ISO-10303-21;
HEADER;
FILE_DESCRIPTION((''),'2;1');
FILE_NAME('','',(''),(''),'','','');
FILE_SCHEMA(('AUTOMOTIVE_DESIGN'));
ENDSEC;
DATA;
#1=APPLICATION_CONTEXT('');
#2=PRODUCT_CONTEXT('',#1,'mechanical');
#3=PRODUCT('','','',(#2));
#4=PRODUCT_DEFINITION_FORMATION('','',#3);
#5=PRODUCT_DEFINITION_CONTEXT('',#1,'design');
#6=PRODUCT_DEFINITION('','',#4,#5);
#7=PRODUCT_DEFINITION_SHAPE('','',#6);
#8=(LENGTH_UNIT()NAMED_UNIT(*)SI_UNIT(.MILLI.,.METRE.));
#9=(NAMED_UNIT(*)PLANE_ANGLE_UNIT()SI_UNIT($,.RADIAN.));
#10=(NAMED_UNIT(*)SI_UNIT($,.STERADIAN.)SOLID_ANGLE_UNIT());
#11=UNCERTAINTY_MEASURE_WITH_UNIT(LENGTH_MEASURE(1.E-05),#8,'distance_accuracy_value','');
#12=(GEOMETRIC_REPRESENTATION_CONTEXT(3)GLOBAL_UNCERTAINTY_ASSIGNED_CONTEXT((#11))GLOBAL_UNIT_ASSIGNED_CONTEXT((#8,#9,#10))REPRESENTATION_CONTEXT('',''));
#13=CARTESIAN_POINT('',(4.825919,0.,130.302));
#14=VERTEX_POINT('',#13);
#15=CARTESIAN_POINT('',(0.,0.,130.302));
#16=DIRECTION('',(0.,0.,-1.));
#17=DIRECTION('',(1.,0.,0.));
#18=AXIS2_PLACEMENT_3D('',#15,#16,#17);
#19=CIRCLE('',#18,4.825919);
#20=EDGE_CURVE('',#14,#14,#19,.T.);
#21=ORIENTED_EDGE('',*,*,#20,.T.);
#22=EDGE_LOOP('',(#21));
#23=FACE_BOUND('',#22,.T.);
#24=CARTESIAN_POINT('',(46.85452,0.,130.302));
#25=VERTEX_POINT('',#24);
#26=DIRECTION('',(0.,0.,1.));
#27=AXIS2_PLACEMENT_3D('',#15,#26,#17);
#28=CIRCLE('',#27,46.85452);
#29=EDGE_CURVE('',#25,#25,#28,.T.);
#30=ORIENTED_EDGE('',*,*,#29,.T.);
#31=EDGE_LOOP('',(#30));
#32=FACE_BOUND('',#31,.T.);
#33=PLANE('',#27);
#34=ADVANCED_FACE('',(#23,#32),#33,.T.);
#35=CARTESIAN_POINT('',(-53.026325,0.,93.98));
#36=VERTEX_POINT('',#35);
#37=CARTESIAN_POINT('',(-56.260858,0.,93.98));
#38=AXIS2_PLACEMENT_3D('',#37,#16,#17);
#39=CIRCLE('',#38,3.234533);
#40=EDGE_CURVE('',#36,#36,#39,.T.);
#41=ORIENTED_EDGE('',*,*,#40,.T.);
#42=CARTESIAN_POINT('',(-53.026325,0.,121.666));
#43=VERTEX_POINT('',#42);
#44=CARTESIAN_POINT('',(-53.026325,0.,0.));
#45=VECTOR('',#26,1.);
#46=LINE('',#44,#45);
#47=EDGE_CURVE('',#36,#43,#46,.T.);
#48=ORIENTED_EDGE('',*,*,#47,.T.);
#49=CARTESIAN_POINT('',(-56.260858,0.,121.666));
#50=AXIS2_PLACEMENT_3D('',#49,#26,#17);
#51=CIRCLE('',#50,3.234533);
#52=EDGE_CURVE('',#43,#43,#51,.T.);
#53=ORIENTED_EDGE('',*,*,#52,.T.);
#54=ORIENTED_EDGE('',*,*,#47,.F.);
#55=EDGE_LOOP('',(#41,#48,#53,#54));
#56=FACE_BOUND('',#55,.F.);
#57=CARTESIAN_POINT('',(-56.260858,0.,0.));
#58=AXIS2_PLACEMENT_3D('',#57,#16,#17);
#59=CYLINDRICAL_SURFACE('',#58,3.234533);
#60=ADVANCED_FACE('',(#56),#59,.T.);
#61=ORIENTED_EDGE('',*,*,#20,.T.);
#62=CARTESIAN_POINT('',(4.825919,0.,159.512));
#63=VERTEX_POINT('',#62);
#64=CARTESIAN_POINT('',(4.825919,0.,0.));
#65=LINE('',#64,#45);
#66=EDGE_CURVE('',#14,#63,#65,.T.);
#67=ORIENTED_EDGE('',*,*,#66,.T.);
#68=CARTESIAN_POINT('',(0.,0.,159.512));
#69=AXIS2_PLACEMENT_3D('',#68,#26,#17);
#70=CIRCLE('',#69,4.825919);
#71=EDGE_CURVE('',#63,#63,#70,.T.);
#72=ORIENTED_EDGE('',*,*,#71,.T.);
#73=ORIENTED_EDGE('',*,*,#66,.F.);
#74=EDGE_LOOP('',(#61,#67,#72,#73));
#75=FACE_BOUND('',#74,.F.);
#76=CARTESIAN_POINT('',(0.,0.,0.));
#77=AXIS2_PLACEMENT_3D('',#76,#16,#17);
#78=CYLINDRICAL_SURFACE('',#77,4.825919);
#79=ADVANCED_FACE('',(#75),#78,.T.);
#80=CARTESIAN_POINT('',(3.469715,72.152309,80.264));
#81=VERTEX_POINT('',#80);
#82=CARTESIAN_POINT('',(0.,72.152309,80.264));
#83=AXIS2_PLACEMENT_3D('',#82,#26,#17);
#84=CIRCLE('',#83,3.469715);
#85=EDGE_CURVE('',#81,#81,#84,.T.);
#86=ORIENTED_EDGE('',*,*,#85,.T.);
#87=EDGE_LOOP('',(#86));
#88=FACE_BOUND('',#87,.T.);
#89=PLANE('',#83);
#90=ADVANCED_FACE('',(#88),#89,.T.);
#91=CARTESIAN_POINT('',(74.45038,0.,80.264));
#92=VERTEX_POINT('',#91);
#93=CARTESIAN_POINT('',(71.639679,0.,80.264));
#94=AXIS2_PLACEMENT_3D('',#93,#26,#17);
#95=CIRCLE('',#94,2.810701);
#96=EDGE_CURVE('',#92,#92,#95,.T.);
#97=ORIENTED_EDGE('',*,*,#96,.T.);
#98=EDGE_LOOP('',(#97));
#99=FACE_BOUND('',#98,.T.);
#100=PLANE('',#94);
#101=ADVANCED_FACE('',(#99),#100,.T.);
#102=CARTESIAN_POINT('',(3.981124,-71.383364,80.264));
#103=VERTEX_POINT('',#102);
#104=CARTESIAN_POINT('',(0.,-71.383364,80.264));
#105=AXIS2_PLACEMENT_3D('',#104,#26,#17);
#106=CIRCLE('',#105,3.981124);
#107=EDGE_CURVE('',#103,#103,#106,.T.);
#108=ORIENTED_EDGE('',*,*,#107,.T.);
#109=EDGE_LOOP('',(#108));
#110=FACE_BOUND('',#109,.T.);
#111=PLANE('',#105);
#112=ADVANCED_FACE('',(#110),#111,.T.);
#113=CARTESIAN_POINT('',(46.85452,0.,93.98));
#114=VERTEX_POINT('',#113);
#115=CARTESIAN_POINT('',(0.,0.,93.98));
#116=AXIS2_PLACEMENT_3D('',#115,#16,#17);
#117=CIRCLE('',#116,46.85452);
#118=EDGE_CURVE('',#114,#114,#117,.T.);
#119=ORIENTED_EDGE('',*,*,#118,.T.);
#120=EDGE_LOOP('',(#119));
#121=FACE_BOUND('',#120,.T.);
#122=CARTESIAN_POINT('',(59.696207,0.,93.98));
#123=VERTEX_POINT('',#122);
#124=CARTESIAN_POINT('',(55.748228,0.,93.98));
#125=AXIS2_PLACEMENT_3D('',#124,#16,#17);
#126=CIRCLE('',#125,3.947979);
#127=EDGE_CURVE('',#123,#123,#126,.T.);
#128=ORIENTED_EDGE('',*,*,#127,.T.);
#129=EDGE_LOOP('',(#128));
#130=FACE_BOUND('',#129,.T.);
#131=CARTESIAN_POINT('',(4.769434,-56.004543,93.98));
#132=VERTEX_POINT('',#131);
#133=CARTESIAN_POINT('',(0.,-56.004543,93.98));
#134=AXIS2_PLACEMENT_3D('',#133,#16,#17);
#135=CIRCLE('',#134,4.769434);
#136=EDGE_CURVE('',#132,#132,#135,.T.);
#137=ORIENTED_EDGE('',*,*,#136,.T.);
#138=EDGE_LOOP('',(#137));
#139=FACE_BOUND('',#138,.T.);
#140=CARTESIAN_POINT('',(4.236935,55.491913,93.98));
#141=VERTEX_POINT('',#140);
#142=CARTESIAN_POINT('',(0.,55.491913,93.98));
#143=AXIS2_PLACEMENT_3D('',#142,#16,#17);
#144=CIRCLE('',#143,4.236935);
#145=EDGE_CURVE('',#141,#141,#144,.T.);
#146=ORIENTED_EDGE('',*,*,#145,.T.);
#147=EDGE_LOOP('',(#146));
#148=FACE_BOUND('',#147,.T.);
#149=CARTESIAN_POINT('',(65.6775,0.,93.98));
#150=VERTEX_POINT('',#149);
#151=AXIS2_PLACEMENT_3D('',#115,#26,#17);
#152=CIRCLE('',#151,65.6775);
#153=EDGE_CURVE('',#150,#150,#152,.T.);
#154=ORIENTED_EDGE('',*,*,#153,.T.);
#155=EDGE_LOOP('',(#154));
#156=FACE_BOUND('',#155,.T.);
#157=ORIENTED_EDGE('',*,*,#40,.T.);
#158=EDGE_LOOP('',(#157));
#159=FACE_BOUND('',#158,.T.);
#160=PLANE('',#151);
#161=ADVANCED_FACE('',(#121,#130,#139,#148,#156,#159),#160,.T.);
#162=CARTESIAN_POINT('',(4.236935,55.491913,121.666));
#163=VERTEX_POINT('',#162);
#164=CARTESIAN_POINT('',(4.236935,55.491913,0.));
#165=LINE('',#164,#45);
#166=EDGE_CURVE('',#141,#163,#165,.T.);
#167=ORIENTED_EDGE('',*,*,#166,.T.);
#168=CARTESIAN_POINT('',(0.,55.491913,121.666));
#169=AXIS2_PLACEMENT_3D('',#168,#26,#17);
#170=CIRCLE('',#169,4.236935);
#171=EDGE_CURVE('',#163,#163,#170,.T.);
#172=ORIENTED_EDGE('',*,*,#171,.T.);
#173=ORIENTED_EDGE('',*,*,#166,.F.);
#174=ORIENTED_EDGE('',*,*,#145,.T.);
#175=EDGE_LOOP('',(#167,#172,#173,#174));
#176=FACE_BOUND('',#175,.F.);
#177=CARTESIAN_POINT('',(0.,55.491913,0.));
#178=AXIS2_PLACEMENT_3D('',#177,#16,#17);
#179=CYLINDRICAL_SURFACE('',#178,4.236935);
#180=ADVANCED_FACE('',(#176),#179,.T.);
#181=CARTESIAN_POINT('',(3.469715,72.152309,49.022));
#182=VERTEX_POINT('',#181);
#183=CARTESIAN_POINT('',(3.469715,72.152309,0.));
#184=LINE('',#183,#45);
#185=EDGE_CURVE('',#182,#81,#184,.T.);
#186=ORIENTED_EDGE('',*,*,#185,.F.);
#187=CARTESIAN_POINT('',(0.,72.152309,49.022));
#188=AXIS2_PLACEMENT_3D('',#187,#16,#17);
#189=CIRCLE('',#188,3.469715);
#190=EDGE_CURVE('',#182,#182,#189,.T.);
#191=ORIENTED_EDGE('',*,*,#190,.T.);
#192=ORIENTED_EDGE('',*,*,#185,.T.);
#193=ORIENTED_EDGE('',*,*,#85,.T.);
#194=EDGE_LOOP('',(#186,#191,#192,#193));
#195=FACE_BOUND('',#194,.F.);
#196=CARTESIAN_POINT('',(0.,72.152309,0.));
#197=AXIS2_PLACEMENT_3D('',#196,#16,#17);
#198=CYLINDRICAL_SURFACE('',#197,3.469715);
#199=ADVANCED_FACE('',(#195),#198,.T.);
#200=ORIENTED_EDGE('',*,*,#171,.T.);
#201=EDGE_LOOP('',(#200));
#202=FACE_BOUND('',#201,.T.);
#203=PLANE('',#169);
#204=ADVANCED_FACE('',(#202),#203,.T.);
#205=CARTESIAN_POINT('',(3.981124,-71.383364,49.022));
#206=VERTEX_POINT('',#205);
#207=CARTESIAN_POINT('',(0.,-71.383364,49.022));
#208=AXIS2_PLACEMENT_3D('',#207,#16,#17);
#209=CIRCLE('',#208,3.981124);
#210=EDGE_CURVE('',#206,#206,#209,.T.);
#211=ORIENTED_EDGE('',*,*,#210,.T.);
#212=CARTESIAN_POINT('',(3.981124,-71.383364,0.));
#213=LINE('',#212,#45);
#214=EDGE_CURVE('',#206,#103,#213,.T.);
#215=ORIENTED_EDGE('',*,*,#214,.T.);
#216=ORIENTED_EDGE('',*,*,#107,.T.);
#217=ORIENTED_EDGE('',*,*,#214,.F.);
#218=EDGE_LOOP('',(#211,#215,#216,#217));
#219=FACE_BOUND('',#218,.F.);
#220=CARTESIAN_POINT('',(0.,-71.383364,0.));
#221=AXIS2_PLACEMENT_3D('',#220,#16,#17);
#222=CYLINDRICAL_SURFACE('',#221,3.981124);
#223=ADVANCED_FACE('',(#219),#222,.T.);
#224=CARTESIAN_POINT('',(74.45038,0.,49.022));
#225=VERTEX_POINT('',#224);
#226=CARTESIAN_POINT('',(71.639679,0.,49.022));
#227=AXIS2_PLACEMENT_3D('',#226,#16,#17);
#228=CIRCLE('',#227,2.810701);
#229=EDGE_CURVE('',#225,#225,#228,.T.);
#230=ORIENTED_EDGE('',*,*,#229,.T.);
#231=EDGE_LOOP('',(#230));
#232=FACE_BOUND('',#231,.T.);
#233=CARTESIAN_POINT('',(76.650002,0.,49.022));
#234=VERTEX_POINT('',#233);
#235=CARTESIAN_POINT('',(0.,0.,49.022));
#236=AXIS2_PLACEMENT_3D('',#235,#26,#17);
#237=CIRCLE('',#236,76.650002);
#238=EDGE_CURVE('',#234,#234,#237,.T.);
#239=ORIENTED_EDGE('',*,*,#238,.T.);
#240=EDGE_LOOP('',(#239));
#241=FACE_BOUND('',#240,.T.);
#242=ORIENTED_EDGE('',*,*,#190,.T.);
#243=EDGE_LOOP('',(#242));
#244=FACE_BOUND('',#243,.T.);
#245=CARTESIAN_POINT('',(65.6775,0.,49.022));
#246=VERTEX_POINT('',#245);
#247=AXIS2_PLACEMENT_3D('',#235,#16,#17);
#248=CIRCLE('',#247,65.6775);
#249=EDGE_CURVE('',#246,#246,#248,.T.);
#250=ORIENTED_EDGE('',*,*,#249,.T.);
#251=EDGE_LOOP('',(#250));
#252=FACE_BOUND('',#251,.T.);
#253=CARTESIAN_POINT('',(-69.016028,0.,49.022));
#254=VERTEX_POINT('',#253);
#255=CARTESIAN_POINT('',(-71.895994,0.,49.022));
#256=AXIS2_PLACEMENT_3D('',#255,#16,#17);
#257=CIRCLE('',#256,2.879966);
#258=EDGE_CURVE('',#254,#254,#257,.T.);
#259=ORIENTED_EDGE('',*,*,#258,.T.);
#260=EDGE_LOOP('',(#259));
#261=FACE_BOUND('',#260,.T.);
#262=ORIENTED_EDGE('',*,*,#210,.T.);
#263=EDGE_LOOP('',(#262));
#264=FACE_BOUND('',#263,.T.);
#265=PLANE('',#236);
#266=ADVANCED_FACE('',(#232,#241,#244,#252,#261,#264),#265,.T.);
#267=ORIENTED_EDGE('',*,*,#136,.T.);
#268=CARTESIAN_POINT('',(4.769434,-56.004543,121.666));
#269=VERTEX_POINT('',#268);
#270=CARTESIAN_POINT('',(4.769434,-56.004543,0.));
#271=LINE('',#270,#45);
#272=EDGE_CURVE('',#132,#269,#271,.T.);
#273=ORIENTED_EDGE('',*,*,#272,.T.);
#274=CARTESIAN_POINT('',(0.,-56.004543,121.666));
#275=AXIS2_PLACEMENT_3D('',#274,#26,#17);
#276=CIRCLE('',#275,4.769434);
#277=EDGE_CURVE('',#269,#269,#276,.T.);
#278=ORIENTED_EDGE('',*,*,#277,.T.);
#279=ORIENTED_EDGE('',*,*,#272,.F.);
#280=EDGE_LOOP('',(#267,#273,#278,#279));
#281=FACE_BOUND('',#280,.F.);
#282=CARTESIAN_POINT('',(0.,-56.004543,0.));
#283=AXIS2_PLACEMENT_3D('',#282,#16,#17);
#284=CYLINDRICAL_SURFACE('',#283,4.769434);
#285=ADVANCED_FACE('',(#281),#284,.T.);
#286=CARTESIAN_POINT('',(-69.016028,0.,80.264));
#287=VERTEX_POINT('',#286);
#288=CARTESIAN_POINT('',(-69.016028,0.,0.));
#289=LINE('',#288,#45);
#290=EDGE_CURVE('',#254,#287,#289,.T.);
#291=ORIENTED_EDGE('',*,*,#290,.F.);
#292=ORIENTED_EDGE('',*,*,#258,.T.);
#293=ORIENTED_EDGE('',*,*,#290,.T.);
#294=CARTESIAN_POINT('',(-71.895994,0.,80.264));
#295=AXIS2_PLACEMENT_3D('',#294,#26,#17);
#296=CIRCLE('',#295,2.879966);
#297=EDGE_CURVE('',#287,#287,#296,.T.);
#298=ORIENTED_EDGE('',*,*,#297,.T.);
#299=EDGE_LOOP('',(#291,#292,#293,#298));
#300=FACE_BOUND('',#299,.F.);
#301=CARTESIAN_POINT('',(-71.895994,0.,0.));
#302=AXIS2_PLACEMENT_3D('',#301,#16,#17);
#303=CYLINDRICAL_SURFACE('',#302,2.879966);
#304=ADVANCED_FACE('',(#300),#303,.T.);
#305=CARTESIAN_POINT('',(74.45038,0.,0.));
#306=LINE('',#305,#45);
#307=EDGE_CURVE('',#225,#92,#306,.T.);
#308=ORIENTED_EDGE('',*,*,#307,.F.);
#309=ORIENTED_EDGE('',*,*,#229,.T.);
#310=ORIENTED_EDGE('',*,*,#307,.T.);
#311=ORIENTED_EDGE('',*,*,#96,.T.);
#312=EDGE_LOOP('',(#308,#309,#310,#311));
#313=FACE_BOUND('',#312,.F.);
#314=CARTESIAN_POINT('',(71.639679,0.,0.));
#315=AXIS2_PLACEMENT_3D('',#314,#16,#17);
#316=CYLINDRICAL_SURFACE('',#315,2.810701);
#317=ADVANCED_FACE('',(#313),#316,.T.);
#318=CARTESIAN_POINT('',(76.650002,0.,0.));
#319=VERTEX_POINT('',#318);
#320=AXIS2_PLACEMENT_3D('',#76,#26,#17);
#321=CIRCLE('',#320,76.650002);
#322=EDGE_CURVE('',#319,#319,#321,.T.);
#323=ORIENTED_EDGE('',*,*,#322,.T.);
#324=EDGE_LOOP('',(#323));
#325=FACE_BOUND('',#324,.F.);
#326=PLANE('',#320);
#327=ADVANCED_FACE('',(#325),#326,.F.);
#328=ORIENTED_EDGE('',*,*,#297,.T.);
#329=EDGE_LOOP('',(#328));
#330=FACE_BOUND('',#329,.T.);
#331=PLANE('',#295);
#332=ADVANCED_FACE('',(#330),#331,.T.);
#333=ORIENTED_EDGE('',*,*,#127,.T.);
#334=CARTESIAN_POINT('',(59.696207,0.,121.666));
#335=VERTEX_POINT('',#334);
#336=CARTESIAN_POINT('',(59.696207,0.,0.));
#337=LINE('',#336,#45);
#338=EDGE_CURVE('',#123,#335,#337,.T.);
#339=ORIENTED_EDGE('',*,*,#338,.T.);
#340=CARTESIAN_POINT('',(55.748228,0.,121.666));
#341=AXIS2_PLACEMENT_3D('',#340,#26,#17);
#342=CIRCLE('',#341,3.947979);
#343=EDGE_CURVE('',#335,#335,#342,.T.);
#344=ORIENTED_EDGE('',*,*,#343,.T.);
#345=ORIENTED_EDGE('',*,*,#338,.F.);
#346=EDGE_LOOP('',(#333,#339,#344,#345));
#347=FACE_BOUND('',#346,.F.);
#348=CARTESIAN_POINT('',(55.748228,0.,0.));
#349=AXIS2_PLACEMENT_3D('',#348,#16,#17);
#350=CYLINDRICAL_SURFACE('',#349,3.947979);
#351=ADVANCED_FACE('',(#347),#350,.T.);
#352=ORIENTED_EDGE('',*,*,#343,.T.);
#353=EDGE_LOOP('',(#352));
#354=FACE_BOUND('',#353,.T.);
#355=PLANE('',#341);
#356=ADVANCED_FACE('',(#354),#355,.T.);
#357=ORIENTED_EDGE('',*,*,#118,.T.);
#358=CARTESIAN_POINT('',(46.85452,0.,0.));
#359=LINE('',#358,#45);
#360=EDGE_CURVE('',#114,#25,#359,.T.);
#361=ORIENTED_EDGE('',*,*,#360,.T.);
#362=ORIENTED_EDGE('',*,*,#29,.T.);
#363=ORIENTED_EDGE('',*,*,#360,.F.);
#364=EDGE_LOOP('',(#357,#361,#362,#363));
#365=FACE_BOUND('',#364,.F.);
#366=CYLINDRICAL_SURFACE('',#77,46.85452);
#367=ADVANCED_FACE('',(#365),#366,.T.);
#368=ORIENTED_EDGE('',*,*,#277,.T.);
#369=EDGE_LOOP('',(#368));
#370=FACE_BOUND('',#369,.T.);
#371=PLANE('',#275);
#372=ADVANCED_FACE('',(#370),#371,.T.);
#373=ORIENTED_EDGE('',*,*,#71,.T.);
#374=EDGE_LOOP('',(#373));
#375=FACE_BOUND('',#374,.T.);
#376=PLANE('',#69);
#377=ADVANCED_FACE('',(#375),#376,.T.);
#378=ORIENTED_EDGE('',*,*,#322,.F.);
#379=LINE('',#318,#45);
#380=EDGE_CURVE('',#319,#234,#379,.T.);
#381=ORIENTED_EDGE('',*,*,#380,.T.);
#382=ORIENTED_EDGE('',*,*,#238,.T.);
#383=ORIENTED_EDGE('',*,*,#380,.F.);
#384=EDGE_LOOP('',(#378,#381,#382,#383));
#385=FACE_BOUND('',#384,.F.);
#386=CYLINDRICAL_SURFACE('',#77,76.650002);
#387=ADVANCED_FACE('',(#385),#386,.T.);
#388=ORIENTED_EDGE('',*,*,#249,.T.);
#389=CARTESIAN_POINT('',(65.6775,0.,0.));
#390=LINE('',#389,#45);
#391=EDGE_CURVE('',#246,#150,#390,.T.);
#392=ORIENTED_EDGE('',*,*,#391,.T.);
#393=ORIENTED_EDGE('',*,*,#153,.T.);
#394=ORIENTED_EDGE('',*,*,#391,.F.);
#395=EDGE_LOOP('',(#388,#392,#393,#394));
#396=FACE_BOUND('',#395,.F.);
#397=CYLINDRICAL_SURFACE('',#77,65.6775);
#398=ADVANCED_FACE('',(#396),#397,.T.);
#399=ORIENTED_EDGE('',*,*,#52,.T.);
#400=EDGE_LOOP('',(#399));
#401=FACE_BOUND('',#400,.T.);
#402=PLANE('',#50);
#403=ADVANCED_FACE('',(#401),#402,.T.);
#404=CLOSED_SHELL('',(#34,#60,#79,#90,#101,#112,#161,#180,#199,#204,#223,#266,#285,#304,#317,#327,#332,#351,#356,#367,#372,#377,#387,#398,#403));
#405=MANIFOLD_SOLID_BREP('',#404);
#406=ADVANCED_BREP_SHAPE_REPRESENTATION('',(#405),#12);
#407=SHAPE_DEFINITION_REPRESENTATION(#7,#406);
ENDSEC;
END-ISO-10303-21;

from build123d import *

# Parameters (mm, degrees)
F0_R      = 76.650002
F1_DEPTH  = 49.022
F2_R      = 65.6775
F3_DEPTH  = 93.98
F4_R      = 46.85452
F5_DEPTH  = 130.302
F6_R      = 2.879966
F6_R_2    = 2.810701
F6_R_3    = 3.469715
F6_R_4    = 3.981124
F7_DEPTH  = 80.264
F8_R      = 3.234533
F8_R_2    = 3.947979
F8_R_3    = 4.769434
F8_R_4    = 4.236935
F8_R_5    = 3.405214
F9_DEPTH  = 121.666
F10_R     = 4.825919
F11_DEPTH = 159.512


with BuildPart() as f1:
    # F0 (on Top) → F1 (new body)
    with BuildSketch(Plane.XY):
        Circle(F0_R)
    extrude(amount=F1_DEPTH)

    # F2 (on Top) → F3 (join)
    with BuildSketch(Plane.XY):
        Circle(F2_R)
    extrude(amount=F3_DEPTH)

    # F4 (on Top) → F5 (join)
    with BuildSketch(Plane.XY):
        Circle(F4_R)
    extrude(amount=F5_DEPTH)

    # F6 (on Top) → F7 (join)
    with BuildSketch(Plane.XY):
        with Locations((-71.895994, 0)):
            Circle(F6_R)
        with Locations((71.639679, 0)):
            Circle(F6_R_2)
        with Locations((0, 72.152309)):
            Circle(F6_R_3)
        with Locations((0, -71.383364)):
            Circle(F6_R_4)
    extrude(amount=F7_DEPTH)

    # F8 (on Top) → F9 (join)
    with BuildSketch(Plane.XY):
        with Locations((-56.260858, 0)):
            Circle(F8_R)
        with Locations((55.748228, 0)):
            Circle(F8_R_2)
        with Locations((0, -56.004543)):
            Circle(F8_R_3)
        with Locations((0, 55.491913)):
            Circle(F8_R_4)
        Circle(F8_R_5)
    extrude(amount=F9_DEPTH)

    # F10 (on Top) → F11 (join)
    with BuildSketch(Plane.XY):
        Circle(F10_R)
    extrude(amount=F11_DEPTH)


solid = f1.part
